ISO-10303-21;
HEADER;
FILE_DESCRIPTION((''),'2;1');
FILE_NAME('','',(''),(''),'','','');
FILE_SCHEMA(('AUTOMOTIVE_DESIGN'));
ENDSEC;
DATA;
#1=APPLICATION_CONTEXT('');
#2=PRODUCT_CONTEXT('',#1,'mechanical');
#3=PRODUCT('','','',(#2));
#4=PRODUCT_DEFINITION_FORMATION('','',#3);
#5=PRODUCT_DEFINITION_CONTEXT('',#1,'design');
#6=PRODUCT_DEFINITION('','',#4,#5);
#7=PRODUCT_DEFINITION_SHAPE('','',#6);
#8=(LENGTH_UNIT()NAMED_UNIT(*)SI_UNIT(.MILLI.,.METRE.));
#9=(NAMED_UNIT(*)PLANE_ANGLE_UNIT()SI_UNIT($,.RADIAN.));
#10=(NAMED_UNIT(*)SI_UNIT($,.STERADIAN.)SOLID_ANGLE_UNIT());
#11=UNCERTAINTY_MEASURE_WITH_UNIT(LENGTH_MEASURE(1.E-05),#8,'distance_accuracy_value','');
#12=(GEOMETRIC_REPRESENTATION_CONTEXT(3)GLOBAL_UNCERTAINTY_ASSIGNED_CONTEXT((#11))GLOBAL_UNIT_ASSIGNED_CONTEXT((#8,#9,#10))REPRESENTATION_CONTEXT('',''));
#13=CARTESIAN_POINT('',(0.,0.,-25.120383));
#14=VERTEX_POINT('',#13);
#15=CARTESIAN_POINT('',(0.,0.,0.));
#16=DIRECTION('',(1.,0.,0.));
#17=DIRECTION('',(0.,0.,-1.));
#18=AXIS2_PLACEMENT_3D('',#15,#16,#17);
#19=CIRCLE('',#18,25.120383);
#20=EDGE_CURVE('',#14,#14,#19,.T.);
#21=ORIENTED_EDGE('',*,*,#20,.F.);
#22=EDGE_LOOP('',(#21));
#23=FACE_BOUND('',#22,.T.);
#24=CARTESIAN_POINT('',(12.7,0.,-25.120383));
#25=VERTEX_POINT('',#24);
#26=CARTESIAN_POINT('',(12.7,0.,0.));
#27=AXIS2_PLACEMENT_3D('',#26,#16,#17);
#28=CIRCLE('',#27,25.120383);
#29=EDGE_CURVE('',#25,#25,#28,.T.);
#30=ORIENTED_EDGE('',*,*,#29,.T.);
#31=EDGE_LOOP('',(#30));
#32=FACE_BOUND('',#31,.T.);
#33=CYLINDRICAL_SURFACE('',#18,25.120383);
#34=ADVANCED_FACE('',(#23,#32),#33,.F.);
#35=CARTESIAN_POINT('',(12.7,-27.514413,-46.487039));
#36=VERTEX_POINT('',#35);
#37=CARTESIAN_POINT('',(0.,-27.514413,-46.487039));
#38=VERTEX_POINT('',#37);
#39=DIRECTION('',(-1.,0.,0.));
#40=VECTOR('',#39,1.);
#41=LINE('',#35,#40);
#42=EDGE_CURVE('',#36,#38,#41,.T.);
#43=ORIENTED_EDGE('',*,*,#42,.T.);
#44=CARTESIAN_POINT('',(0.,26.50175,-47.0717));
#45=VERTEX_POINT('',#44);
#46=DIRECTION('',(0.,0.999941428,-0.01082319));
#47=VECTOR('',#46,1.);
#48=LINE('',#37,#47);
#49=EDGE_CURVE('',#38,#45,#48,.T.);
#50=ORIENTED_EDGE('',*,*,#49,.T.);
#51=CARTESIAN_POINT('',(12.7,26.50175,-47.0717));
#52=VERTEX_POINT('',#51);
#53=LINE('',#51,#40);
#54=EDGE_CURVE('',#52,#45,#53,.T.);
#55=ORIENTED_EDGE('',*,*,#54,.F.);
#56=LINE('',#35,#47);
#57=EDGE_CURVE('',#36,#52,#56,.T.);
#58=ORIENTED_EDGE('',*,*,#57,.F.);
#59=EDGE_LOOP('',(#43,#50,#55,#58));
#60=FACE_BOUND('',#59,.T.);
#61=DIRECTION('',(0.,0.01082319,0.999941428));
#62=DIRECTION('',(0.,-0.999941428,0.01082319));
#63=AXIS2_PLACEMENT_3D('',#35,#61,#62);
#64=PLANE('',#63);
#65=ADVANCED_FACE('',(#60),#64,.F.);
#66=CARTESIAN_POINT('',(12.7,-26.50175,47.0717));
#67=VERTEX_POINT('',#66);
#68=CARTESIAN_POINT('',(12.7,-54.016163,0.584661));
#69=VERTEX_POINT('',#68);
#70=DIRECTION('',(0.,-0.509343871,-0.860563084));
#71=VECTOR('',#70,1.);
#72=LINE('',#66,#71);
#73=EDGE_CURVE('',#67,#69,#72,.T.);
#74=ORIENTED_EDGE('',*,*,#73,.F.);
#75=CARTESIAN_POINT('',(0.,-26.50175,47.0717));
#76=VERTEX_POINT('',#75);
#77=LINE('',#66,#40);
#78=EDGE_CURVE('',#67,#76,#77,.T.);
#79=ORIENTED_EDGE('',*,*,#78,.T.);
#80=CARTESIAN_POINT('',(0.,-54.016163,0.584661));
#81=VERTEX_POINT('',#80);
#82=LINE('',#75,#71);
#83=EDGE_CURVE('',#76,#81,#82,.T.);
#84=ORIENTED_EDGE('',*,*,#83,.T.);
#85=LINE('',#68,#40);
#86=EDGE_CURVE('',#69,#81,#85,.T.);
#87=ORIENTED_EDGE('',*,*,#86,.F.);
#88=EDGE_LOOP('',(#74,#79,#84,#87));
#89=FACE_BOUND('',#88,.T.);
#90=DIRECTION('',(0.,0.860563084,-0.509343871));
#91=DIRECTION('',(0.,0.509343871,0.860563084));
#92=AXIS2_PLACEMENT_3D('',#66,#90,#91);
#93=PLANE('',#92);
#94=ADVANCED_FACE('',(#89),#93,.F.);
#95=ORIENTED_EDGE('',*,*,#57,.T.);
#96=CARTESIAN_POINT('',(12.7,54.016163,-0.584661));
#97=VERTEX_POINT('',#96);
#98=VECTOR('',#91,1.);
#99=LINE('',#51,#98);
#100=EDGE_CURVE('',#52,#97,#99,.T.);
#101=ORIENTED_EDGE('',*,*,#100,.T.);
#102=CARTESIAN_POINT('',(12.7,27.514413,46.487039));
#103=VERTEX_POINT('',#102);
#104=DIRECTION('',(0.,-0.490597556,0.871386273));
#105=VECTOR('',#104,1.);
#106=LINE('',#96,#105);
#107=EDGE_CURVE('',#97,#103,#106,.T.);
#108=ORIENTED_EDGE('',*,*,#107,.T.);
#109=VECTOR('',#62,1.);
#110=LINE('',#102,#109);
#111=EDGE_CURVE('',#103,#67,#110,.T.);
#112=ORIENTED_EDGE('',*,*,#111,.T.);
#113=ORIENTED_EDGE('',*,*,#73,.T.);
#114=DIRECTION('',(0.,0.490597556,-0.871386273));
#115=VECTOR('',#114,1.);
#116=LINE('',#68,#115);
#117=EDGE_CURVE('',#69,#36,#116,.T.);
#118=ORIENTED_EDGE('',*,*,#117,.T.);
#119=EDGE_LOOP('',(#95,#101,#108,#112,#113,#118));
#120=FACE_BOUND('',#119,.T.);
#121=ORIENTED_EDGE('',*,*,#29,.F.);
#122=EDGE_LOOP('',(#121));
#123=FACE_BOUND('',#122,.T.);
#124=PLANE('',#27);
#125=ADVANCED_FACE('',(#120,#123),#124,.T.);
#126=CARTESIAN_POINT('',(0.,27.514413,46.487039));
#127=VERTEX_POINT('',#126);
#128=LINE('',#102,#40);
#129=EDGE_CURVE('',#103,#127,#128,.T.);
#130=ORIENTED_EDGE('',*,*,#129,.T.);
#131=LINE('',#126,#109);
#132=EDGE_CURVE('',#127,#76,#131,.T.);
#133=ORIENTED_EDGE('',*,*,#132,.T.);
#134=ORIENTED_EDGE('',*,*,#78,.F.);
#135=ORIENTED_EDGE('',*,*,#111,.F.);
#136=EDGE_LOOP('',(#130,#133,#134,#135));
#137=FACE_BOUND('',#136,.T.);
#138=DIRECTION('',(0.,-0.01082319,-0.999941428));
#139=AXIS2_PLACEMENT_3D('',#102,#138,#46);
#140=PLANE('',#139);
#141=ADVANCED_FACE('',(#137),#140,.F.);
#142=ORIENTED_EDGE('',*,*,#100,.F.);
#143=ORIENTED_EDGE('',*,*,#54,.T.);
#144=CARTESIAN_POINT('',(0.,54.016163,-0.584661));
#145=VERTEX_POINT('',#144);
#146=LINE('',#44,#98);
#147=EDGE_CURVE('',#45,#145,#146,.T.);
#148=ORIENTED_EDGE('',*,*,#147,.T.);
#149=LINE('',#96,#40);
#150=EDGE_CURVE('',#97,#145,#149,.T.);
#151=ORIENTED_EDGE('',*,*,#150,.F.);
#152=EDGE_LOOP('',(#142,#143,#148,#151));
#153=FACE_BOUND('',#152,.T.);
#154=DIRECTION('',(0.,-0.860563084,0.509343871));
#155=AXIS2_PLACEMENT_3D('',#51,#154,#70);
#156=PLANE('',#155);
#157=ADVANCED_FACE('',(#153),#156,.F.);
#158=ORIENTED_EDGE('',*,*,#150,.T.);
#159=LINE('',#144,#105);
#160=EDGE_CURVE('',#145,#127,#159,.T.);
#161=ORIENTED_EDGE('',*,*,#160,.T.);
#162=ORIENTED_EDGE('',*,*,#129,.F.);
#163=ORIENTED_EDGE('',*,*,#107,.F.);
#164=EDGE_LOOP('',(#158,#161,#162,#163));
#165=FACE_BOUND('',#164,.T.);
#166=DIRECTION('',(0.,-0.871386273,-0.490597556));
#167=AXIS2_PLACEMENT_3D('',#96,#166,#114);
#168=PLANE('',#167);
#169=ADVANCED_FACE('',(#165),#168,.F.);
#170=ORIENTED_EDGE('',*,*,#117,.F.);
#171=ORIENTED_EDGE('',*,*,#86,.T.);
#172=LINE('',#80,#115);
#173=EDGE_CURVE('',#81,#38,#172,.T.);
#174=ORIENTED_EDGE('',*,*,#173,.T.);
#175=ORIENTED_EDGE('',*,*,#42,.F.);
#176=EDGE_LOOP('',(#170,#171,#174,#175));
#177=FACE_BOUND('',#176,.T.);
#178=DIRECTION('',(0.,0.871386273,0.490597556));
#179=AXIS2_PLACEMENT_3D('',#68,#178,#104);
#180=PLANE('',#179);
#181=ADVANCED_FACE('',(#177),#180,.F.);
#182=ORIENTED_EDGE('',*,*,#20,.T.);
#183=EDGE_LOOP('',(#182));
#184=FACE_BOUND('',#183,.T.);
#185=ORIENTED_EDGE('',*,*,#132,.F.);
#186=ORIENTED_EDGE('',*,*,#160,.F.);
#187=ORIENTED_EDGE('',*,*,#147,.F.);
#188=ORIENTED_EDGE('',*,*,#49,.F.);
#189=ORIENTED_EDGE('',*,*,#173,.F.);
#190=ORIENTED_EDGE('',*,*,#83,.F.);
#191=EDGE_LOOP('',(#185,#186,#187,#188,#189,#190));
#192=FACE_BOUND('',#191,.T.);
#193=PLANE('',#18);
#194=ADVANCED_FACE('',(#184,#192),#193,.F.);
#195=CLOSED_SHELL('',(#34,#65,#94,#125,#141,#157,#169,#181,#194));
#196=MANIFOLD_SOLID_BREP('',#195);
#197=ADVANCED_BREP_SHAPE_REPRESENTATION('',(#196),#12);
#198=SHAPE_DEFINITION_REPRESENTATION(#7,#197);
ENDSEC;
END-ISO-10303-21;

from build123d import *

# Parameters (mm, degrees)
BOSS_EXTRUDE1_DEPTH     = 12.7
CUT_EXTRUDE1_DEPTH      = 73.765244725
CUT_EXTRUDE1_DEPTH_BACK = 73.765244725
SKETCH5_R               = 25.120382551


with BuildPart() as part:
    # Sketch4 → Boss-Extrude1 (new body)
    with BuildSketch(Plane(origin=(0, 0, 0), x_dir=(0, 0, -1), z_dir=(1, 0, 0))):
        Polygon((-47.071700205, -26.501749912), (-0.584661434, -54.016163133), (46.487038771, -27.514413221), (47.071700205, 26.501749912), (0.584661434, 54.016163133), (-46.487038771, 27.514413221), align=None)
    extrude(amount=BOSS_EXTRUDE1_DEPTH)

    # Sketch5 → Cut-Extrude1 (cut, two sides: drawn at the far end of the back side and taken through both)
    with BuildSketch(Plane(origin=(12.7, 0, 0), x_dir=(0, 0, -1), z_dir=(1, 0, 0)).offset(-CUT_EXTRUDE1_DEPTH_BACK)):
        Circle(SKETCH5_R)
    extrude(amount=CUT_EXTRUDE1_DEPTH + CUT_EXTRUDE1_DEPTH_BACK, mode=Mode.SUBTRACT)


solid = part.part
